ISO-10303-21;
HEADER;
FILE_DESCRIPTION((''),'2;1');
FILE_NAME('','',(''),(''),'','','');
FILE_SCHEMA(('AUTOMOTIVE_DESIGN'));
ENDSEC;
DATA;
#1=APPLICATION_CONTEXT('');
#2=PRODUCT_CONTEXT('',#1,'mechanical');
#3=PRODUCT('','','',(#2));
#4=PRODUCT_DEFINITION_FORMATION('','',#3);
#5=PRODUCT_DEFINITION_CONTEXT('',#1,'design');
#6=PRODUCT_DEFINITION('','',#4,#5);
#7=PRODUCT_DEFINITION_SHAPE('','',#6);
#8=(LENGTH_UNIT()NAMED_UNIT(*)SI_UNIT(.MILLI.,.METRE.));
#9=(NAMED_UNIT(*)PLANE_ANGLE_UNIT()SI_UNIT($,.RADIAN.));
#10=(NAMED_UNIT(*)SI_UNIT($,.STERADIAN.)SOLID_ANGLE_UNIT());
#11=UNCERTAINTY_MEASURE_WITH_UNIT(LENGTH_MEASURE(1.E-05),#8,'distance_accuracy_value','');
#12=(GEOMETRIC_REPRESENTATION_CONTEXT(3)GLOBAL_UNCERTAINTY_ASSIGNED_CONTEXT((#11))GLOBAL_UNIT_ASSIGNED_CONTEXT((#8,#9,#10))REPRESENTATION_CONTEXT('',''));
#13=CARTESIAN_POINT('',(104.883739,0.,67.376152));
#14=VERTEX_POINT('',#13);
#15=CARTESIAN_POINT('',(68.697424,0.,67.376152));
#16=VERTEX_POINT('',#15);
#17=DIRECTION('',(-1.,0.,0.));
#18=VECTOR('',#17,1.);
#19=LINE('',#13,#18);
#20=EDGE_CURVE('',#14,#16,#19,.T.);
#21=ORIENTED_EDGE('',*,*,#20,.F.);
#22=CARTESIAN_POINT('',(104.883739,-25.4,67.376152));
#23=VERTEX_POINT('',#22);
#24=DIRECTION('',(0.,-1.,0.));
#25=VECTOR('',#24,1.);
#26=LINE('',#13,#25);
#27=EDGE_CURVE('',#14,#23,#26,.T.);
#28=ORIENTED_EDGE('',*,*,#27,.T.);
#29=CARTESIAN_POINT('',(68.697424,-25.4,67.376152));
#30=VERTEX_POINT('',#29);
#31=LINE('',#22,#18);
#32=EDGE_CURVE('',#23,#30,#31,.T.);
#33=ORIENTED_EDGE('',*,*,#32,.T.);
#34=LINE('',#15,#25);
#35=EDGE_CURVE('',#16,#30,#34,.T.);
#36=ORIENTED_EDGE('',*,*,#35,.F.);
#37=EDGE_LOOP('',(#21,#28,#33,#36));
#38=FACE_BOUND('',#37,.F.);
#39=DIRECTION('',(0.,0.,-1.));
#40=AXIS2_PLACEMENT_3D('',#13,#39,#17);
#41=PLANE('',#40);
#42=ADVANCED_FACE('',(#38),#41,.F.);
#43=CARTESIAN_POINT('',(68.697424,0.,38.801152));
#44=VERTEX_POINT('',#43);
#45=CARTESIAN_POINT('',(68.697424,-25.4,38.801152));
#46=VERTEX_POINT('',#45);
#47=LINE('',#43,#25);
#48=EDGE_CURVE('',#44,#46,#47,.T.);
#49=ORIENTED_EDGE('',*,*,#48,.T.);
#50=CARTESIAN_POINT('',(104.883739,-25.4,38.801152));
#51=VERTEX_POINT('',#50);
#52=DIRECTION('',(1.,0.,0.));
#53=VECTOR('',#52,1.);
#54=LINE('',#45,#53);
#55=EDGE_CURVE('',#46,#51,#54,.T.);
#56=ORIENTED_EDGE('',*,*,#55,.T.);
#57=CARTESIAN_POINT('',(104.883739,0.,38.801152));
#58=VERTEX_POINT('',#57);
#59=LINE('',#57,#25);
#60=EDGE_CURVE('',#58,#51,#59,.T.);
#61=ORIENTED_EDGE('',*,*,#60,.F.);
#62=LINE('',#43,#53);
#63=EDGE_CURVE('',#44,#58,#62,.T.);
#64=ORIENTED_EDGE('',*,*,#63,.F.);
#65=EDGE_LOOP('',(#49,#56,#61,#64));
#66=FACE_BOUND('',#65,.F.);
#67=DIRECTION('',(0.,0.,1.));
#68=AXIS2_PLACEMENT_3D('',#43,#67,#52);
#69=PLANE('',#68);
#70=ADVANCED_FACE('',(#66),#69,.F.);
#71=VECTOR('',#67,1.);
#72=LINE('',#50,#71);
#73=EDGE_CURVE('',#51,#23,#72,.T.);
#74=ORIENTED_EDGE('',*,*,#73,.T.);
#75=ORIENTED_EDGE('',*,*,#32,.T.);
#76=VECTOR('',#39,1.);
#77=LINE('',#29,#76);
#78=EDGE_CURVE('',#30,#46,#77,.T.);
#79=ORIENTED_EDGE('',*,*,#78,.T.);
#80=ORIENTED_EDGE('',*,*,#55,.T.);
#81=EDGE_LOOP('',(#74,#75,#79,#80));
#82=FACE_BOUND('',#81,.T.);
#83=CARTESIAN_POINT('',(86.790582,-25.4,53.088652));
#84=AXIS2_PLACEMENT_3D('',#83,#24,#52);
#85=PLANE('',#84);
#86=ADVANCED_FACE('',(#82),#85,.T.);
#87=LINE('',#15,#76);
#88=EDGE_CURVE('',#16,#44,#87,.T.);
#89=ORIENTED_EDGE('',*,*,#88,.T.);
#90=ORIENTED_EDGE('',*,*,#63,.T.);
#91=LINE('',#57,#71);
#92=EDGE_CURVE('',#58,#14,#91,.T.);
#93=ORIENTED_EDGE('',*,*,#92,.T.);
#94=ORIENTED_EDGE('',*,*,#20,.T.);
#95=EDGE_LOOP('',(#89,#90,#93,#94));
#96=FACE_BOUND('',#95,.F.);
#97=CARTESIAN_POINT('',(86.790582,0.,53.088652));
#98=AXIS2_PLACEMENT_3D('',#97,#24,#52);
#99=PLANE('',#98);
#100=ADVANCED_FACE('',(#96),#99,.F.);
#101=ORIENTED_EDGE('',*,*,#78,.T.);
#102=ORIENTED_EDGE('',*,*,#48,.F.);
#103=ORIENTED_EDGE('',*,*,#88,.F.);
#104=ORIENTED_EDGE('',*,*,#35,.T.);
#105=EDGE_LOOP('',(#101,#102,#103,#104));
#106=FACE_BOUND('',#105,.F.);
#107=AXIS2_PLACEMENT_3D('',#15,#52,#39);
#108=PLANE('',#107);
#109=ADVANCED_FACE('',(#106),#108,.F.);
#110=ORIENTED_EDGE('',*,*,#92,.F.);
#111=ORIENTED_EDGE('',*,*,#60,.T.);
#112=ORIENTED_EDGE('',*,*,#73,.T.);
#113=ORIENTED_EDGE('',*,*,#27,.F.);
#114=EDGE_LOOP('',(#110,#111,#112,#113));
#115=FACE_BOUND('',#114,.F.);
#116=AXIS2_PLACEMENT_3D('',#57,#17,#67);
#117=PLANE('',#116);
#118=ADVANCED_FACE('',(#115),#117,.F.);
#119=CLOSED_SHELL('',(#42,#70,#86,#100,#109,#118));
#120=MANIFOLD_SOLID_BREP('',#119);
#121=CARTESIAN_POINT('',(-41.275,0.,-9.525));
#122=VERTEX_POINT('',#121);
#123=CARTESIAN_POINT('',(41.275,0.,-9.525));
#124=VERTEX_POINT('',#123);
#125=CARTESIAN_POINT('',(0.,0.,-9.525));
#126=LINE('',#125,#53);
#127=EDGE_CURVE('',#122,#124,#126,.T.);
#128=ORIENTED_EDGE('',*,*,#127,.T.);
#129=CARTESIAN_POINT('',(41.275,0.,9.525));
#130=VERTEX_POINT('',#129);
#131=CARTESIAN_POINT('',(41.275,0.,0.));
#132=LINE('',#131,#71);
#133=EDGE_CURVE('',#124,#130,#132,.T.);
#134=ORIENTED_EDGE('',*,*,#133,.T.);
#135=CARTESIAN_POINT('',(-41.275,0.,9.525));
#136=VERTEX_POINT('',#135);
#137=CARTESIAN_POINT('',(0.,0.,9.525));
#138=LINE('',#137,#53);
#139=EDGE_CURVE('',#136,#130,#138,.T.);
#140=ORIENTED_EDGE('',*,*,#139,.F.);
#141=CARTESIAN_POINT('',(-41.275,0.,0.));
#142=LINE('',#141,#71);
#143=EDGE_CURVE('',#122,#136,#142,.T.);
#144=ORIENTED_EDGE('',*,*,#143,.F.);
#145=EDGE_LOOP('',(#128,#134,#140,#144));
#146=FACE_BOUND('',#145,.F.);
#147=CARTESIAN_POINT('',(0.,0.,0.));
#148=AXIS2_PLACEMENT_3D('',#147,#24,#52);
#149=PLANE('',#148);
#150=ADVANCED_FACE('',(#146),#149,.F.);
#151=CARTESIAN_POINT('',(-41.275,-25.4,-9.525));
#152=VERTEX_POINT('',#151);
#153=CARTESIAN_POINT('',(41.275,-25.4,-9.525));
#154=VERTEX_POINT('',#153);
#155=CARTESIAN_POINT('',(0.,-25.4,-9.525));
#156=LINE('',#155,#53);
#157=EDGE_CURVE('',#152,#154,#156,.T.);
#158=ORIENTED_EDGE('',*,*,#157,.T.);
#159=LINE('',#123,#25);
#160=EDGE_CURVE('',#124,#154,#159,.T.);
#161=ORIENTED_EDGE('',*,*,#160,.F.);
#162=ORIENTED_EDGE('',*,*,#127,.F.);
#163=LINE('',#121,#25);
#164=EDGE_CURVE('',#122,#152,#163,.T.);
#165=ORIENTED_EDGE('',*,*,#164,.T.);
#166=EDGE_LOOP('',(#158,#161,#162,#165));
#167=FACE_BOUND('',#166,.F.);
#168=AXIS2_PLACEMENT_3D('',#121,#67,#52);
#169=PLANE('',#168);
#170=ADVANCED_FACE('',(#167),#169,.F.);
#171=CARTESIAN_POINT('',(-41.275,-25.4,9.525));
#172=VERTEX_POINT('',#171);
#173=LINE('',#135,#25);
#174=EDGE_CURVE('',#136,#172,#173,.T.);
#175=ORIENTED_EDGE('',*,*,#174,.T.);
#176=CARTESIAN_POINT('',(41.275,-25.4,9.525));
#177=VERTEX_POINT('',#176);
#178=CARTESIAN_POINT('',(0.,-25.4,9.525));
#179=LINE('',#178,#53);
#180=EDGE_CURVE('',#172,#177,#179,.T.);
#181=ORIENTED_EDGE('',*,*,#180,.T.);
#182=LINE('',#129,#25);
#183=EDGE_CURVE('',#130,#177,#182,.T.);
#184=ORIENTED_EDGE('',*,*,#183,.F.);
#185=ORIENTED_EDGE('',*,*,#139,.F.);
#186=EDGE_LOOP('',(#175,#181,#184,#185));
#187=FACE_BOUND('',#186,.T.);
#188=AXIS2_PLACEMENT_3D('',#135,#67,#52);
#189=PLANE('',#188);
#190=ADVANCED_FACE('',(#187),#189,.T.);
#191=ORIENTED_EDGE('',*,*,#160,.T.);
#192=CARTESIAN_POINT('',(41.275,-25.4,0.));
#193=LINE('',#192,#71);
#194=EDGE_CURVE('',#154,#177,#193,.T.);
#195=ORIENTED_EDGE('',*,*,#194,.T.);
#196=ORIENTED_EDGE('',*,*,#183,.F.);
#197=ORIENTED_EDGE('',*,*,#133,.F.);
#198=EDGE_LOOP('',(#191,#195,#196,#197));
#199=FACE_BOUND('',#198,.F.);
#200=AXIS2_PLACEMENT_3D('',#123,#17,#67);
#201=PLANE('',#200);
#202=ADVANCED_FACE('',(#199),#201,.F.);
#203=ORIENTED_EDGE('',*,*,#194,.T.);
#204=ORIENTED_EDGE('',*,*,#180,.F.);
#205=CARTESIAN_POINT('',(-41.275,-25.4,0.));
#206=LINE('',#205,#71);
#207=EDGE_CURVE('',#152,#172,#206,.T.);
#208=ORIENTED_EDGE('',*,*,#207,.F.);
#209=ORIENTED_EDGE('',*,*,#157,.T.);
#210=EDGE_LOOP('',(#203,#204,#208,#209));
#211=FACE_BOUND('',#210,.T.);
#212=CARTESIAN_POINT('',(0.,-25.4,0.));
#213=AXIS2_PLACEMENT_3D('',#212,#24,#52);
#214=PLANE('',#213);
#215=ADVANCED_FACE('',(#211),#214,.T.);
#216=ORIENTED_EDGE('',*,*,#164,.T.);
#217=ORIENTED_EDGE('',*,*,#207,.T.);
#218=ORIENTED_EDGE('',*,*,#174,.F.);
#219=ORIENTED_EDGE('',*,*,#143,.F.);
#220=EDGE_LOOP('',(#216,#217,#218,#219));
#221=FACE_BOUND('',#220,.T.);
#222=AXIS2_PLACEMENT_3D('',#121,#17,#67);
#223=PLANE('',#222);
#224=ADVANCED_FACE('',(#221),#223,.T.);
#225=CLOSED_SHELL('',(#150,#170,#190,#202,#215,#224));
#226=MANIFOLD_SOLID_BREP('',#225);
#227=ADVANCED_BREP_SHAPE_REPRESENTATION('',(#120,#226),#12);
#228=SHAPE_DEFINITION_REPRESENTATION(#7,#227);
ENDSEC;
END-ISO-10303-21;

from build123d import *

# Parameters (mm, degrees)
F0_W     = 82.55
F0_H     = 19.05
F1_DEPTH = 25.4


with BuildPart() as f1:
    # F0 (on Front) → F1 (new body)
    with BuildSketch(Plane.XZ):
        Rectangle(F0_W, F0_H)
        Polygon((68.697424, 67.376152), (68.697424, 42.8752), (68.697424, 38.801152), (104.883739, 38.801152), (104.883739, 67.376152), align=None)
    extrude(amount=F1_DEPTH)


solid = f1.part
